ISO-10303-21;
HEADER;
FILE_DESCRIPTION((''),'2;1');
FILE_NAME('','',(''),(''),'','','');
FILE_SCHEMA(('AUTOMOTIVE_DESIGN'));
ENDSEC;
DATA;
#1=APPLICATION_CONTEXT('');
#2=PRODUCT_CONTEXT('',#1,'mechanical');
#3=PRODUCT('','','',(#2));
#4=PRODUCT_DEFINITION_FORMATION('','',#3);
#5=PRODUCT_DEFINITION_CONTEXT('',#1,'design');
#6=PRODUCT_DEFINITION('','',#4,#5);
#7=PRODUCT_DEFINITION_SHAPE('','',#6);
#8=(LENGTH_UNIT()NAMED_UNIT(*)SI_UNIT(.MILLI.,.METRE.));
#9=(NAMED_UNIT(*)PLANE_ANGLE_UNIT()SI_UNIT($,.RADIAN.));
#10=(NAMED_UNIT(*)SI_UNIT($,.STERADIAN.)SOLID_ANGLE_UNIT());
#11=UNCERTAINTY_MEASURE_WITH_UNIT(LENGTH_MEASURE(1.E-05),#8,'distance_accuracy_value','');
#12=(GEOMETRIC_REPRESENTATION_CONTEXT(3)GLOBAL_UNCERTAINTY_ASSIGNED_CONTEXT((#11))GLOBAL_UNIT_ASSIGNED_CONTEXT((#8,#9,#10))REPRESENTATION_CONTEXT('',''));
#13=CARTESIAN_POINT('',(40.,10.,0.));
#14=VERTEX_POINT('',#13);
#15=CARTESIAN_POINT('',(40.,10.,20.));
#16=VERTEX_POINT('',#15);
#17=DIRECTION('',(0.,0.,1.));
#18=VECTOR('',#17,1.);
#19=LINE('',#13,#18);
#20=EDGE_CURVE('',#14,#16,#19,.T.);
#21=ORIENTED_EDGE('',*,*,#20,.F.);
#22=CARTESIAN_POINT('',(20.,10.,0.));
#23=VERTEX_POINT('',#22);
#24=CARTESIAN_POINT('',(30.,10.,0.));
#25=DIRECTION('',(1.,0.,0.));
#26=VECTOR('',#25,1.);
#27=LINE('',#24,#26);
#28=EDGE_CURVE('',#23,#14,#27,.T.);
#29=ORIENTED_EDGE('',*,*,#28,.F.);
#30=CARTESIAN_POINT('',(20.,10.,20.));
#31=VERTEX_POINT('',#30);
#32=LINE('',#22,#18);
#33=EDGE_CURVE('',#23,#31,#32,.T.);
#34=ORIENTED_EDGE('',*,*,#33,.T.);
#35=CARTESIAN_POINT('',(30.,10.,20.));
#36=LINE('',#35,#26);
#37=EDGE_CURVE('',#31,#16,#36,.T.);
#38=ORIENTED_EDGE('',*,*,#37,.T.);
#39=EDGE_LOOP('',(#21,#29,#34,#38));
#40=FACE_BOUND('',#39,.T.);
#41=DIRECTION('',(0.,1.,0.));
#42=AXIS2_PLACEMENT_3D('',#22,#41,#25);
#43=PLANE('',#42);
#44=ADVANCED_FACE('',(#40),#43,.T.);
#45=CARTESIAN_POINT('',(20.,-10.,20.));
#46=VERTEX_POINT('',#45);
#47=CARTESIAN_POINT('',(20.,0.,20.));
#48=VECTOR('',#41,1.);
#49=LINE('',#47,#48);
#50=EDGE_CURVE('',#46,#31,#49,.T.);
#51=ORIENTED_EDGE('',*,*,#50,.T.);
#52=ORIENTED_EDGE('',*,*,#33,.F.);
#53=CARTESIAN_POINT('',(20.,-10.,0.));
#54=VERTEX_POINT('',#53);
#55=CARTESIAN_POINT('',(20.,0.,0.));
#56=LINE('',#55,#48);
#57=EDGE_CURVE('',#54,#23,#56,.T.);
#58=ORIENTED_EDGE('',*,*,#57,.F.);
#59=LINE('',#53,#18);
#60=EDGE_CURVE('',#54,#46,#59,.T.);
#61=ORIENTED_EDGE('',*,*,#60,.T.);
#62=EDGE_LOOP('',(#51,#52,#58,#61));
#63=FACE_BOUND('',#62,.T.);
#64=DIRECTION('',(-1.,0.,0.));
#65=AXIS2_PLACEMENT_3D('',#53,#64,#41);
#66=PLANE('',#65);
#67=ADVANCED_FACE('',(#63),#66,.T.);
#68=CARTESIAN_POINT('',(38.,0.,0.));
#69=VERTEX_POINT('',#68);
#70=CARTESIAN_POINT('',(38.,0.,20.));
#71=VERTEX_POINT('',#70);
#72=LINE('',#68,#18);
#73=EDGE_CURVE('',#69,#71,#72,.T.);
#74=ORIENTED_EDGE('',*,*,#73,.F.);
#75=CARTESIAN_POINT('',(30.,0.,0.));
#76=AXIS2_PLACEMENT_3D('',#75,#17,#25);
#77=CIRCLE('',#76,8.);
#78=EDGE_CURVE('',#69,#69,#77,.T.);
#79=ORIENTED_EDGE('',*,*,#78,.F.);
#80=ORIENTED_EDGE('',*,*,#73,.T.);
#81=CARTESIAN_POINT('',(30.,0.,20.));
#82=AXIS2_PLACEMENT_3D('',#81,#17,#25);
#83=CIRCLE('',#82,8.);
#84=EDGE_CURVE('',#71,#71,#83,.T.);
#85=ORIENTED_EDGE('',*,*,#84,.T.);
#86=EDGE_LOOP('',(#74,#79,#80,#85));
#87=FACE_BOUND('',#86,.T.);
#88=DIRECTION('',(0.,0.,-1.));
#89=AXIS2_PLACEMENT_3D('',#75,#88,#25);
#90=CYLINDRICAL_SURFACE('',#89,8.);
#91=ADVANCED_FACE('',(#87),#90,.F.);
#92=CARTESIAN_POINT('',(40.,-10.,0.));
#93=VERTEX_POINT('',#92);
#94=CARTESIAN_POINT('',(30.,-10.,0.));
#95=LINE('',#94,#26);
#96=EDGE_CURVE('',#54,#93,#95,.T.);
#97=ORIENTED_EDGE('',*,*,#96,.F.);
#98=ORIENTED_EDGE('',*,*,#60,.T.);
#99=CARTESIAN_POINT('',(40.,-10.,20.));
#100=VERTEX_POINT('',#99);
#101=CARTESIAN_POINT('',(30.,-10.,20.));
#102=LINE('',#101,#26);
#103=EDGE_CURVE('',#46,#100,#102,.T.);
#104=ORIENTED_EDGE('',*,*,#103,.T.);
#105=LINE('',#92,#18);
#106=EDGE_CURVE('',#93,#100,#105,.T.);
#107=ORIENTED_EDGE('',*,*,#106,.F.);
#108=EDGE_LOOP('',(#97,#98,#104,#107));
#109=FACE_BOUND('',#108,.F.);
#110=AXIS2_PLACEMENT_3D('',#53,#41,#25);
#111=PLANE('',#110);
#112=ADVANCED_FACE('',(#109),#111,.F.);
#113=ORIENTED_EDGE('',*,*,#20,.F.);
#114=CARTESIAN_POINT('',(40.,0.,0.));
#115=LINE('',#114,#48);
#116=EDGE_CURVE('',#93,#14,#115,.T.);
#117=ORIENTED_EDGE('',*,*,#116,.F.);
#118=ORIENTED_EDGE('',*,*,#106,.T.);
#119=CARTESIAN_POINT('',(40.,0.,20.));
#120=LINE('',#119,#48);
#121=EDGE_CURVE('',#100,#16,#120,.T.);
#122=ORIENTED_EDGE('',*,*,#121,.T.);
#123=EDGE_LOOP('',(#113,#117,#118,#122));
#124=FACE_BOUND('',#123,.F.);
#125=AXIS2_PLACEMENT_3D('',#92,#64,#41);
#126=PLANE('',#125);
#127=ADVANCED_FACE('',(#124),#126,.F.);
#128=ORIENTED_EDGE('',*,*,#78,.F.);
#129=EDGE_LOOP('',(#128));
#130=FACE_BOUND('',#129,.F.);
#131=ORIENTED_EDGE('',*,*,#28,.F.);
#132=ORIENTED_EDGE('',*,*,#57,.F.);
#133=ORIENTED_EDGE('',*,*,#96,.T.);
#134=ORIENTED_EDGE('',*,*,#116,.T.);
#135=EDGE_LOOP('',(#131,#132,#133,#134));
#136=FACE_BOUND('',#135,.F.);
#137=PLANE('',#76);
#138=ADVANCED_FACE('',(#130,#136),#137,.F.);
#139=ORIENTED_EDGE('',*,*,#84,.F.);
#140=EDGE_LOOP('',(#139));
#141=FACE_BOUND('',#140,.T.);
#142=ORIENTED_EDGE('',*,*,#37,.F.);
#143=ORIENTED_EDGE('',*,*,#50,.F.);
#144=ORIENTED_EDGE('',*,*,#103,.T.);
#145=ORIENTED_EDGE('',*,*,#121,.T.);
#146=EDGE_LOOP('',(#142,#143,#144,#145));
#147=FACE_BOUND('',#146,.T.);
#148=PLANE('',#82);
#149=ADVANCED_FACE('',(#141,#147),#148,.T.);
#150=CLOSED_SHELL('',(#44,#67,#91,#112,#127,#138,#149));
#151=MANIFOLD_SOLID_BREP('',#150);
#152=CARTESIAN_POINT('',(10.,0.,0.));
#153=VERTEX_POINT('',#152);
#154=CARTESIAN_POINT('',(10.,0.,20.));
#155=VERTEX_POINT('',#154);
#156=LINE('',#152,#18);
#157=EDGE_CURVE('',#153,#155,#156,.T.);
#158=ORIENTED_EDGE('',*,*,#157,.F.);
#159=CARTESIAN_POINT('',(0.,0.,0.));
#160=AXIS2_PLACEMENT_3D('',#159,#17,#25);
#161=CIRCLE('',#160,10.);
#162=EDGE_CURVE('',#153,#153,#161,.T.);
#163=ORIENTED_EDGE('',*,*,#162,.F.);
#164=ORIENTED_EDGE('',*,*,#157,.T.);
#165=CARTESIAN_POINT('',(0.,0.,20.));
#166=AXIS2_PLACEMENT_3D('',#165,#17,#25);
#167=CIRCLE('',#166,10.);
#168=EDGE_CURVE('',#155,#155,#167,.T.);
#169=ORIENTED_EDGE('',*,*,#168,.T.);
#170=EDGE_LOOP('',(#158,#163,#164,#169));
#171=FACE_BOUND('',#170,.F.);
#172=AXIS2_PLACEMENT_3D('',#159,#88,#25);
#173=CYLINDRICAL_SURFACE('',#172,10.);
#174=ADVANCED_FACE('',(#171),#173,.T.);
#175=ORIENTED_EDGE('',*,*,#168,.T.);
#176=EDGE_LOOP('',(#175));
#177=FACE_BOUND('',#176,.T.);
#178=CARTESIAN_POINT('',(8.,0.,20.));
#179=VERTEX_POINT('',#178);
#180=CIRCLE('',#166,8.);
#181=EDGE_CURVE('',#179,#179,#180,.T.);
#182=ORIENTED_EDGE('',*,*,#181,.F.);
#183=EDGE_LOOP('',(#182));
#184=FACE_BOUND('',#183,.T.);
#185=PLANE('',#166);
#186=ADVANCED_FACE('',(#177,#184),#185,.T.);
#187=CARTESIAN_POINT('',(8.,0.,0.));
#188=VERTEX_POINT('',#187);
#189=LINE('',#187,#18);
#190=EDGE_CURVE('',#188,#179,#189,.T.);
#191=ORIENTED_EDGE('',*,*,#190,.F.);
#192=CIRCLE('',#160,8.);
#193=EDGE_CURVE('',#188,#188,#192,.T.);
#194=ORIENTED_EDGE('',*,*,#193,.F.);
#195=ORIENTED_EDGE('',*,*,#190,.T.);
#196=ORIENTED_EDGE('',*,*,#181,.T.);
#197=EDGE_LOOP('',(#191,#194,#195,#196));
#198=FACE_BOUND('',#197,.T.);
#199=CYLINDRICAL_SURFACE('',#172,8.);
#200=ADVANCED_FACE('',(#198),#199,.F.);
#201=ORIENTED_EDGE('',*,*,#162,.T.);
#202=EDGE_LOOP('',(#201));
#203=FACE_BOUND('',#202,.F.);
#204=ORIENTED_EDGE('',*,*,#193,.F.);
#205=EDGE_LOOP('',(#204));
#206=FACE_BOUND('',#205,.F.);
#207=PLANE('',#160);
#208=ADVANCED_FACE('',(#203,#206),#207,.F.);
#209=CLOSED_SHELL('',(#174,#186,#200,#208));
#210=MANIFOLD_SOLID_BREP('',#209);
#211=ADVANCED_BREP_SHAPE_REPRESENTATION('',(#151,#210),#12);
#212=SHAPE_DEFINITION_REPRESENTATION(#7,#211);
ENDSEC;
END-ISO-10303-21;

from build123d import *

# Parameters (mm, degrees)
F0_R     = 10
F0_R_2   = 8
F0_W     = 20
F0_H     = 20
F1_DEPTH = 20


with BuildPart() as f1:
    # F0 (on Top) → F1 (new body)
    with BuildSketch(Plane.XY):
        Circle(F0_R)
        Circle(F0_R_2, mode=Mode.SUBTRACT)
        with Locations((30, 0)):
            Rectangle(F0_W, F0_H)
        with Locations((30, 0)):
            Circle(F0_R_2, mode=Mode.SUBTRACT)
    extrude(amount=F1_DEPTH)


solid = f1.part
